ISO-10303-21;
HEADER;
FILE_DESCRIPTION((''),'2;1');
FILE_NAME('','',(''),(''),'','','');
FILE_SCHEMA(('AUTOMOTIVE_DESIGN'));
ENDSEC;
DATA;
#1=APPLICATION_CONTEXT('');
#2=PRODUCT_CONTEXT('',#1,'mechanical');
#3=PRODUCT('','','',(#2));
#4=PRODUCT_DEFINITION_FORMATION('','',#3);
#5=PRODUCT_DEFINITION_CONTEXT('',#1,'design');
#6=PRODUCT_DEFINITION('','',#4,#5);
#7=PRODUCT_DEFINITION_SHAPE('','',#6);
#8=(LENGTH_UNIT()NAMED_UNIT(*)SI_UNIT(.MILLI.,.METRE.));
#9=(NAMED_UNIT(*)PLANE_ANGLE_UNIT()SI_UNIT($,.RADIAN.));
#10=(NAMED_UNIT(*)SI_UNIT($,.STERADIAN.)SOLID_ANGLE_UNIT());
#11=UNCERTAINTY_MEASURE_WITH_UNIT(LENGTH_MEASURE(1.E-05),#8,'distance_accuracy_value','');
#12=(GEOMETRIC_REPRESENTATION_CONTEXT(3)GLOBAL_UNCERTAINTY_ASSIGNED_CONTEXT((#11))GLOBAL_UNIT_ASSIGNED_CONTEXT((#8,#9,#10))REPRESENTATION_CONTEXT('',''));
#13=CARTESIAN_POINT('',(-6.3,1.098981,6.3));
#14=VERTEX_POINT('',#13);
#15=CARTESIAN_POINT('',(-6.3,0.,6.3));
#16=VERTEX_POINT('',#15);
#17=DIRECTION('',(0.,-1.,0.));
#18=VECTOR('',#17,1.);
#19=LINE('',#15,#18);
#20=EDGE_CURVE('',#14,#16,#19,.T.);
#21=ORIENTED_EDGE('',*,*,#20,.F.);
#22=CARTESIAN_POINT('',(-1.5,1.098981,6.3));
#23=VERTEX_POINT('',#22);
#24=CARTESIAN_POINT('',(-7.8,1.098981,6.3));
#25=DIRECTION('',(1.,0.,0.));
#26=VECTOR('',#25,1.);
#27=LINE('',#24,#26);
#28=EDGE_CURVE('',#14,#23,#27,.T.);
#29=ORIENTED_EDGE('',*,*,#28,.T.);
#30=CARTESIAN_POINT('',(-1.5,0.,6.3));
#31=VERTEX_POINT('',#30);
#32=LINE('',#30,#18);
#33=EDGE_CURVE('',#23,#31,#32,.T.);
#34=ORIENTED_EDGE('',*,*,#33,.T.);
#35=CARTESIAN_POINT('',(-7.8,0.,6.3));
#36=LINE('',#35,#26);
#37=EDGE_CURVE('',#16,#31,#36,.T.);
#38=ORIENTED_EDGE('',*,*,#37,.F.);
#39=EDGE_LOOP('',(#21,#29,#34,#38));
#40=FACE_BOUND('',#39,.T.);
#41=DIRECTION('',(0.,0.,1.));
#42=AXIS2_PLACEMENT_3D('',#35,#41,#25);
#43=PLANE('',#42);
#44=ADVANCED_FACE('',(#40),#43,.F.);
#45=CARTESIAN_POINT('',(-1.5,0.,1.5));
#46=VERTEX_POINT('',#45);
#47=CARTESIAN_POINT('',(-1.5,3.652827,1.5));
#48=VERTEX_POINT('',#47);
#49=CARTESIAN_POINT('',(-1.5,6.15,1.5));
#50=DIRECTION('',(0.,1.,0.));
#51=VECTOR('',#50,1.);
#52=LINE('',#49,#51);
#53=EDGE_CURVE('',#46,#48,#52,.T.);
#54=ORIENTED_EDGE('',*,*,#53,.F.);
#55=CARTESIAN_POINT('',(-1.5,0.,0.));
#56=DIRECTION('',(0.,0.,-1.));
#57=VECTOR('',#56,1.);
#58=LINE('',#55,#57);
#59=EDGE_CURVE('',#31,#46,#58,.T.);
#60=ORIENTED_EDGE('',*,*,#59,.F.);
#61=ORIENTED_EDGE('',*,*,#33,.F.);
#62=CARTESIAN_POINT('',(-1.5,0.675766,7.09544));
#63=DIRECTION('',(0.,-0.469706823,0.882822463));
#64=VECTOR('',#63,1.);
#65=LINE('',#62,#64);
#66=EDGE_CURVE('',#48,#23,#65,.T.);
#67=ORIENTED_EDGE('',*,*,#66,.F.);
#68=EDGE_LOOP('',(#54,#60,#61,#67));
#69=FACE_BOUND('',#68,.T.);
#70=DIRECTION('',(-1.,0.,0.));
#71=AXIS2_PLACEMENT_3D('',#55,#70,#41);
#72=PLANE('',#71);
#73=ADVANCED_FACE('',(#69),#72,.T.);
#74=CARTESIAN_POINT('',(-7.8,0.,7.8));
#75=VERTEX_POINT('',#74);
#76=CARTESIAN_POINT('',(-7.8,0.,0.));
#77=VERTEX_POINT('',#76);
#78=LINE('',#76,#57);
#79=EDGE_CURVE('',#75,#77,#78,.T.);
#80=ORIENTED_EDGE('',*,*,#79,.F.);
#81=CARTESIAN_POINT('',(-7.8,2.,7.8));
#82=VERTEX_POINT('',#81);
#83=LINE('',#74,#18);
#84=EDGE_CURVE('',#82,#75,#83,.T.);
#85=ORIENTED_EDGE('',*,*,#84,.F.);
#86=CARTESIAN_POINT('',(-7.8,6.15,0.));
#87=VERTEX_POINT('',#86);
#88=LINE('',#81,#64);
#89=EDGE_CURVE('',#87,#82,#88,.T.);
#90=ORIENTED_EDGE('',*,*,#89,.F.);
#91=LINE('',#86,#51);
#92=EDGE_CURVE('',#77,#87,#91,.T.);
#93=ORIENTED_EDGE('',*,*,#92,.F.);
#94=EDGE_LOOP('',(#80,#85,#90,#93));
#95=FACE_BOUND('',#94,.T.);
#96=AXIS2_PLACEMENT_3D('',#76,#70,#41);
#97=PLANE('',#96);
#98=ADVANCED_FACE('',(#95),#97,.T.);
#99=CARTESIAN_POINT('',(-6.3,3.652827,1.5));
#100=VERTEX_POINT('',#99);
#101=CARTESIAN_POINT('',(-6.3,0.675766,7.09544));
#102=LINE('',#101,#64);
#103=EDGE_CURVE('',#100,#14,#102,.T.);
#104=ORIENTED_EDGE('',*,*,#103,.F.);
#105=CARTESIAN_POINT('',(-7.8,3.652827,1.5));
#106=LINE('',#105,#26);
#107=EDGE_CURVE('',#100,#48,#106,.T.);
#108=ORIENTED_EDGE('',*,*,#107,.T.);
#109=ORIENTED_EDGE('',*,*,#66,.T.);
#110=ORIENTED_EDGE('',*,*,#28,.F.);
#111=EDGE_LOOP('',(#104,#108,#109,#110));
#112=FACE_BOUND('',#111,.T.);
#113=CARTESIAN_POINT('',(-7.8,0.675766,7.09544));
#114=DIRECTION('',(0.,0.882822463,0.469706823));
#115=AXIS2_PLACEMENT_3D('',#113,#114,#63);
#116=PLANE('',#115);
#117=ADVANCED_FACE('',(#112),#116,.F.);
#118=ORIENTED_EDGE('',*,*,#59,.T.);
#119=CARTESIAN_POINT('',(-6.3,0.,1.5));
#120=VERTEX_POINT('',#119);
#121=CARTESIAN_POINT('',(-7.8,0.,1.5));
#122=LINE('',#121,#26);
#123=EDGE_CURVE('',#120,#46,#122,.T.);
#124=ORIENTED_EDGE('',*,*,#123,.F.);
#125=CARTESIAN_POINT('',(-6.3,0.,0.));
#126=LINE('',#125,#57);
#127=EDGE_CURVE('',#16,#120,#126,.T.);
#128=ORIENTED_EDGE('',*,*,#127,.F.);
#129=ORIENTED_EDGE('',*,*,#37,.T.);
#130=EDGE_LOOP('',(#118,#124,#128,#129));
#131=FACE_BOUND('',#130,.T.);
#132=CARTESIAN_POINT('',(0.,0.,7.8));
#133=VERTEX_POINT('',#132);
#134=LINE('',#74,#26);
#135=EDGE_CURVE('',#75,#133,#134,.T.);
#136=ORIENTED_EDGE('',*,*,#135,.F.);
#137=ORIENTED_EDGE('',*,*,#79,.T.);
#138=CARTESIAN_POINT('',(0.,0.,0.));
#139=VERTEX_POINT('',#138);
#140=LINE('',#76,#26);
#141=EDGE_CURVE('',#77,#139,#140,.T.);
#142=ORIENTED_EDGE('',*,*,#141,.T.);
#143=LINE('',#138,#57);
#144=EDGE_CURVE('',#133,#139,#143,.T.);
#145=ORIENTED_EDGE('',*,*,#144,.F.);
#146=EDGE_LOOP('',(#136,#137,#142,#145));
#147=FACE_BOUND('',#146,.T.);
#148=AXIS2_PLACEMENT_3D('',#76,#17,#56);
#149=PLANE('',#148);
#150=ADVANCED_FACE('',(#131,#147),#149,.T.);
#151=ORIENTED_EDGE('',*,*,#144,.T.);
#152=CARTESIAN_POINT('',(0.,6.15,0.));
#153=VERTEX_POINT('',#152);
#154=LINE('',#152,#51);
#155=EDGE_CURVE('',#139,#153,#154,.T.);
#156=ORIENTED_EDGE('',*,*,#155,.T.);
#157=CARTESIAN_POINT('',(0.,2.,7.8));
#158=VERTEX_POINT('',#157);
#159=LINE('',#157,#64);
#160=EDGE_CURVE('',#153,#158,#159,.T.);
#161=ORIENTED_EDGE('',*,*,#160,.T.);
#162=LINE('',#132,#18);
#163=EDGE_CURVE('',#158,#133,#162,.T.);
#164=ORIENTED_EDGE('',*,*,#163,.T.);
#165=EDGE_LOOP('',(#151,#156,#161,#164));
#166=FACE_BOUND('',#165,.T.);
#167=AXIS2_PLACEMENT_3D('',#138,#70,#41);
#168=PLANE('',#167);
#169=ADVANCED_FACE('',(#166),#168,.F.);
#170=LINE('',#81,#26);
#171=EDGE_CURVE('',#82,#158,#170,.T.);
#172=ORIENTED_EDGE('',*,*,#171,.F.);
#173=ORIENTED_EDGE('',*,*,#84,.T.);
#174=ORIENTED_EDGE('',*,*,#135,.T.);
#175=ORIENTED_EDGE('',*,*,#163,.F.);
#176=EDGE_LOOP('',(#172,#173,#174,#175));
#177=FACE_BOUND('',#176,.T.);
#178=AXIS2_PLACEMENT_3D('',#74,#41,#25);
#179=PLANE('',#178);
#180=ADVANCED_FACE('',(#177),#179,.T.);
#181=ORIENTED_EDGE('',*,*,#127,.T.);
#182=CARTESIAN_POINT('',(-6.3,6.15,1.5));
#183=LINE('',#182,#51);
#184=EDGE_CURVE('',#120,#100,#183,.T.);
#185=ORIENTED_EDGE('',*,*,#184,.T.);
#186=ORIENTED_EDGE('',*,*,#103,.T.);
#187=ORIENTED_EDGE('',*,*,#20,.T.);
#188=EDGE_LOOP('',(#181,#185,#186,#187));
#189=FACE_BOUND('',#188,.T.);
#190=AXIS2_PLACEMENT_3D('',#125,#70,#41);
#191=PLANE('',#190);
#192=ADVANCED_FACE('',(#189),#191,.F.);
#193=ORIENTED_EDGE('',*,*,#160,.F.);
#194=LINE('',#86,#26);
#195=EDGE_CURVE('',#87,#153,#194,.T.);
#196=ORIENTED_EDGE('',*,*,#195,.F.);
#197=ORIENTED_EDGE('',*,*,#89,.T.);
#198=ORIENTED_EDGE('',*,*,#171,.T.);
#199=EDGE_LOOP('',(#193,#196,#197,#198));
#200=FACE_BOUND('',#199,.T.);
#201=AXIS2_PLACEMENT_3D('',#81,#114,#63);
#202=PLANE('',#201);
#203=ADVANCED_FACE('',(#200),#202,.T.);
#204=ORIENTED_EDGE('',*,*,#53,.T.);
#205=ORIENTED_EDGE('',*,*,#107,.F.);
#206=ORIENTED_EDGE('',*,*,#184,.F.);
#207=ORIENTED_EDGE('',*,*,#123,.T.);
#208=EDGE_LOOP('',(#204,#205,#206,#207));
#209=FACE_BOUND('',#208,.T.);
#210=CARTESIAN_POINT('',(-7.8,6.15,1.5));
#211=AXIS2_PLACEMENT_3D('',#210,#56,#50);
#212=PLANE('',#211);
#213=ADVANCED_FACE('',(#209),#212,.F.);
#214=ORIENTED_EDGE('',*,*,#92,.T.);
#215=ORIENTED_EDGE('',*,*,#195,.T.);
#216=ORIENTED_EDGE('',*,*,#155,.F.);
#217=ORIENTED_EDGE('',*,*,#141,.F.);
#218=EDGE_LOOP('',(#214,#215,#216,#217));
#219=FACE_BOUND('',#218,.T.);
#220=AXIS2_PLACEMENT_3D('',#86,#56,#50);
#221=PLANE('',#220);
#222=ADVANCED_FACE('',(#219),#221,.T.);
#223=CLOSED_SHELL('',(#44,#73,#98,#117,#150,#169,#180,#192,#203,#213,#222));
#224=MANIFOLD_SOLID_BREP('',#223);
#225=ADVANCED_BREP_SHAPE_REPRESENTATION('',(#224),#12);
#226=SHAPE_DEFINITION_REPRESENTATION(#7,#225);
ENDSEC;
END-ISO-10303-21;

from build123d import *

# Parameters (mm, degrees)
BOSS_EXTRUDE1_DEPTH = 7.8
SHELL1_T            = -1.5


with BuildPart() as part:
    # Sketch1 → Boss-Extrude1 (new body)
    with BuildSketch(Plane(origin=(0, 0, 0), x_dir=(0, 0, -1), z_dir=(1, 0, 0))):
        Polygon((0, 0), (-7.8, 0), (-7.8, 2), (0, 6.15), align=None)
    extrude(amount=-BOSS_EXTRUDE1_DEPTH)

    # Shell1
    shell1_openings = [part.faces().sort_by_distance(p)[0] for p in [
        (-3.9, 0, 3.9),
    ]]
    offset(amount=SHELL1_T, openings=shell1_openings, kind=Kind.INTERSECTION)


solid = part.part
